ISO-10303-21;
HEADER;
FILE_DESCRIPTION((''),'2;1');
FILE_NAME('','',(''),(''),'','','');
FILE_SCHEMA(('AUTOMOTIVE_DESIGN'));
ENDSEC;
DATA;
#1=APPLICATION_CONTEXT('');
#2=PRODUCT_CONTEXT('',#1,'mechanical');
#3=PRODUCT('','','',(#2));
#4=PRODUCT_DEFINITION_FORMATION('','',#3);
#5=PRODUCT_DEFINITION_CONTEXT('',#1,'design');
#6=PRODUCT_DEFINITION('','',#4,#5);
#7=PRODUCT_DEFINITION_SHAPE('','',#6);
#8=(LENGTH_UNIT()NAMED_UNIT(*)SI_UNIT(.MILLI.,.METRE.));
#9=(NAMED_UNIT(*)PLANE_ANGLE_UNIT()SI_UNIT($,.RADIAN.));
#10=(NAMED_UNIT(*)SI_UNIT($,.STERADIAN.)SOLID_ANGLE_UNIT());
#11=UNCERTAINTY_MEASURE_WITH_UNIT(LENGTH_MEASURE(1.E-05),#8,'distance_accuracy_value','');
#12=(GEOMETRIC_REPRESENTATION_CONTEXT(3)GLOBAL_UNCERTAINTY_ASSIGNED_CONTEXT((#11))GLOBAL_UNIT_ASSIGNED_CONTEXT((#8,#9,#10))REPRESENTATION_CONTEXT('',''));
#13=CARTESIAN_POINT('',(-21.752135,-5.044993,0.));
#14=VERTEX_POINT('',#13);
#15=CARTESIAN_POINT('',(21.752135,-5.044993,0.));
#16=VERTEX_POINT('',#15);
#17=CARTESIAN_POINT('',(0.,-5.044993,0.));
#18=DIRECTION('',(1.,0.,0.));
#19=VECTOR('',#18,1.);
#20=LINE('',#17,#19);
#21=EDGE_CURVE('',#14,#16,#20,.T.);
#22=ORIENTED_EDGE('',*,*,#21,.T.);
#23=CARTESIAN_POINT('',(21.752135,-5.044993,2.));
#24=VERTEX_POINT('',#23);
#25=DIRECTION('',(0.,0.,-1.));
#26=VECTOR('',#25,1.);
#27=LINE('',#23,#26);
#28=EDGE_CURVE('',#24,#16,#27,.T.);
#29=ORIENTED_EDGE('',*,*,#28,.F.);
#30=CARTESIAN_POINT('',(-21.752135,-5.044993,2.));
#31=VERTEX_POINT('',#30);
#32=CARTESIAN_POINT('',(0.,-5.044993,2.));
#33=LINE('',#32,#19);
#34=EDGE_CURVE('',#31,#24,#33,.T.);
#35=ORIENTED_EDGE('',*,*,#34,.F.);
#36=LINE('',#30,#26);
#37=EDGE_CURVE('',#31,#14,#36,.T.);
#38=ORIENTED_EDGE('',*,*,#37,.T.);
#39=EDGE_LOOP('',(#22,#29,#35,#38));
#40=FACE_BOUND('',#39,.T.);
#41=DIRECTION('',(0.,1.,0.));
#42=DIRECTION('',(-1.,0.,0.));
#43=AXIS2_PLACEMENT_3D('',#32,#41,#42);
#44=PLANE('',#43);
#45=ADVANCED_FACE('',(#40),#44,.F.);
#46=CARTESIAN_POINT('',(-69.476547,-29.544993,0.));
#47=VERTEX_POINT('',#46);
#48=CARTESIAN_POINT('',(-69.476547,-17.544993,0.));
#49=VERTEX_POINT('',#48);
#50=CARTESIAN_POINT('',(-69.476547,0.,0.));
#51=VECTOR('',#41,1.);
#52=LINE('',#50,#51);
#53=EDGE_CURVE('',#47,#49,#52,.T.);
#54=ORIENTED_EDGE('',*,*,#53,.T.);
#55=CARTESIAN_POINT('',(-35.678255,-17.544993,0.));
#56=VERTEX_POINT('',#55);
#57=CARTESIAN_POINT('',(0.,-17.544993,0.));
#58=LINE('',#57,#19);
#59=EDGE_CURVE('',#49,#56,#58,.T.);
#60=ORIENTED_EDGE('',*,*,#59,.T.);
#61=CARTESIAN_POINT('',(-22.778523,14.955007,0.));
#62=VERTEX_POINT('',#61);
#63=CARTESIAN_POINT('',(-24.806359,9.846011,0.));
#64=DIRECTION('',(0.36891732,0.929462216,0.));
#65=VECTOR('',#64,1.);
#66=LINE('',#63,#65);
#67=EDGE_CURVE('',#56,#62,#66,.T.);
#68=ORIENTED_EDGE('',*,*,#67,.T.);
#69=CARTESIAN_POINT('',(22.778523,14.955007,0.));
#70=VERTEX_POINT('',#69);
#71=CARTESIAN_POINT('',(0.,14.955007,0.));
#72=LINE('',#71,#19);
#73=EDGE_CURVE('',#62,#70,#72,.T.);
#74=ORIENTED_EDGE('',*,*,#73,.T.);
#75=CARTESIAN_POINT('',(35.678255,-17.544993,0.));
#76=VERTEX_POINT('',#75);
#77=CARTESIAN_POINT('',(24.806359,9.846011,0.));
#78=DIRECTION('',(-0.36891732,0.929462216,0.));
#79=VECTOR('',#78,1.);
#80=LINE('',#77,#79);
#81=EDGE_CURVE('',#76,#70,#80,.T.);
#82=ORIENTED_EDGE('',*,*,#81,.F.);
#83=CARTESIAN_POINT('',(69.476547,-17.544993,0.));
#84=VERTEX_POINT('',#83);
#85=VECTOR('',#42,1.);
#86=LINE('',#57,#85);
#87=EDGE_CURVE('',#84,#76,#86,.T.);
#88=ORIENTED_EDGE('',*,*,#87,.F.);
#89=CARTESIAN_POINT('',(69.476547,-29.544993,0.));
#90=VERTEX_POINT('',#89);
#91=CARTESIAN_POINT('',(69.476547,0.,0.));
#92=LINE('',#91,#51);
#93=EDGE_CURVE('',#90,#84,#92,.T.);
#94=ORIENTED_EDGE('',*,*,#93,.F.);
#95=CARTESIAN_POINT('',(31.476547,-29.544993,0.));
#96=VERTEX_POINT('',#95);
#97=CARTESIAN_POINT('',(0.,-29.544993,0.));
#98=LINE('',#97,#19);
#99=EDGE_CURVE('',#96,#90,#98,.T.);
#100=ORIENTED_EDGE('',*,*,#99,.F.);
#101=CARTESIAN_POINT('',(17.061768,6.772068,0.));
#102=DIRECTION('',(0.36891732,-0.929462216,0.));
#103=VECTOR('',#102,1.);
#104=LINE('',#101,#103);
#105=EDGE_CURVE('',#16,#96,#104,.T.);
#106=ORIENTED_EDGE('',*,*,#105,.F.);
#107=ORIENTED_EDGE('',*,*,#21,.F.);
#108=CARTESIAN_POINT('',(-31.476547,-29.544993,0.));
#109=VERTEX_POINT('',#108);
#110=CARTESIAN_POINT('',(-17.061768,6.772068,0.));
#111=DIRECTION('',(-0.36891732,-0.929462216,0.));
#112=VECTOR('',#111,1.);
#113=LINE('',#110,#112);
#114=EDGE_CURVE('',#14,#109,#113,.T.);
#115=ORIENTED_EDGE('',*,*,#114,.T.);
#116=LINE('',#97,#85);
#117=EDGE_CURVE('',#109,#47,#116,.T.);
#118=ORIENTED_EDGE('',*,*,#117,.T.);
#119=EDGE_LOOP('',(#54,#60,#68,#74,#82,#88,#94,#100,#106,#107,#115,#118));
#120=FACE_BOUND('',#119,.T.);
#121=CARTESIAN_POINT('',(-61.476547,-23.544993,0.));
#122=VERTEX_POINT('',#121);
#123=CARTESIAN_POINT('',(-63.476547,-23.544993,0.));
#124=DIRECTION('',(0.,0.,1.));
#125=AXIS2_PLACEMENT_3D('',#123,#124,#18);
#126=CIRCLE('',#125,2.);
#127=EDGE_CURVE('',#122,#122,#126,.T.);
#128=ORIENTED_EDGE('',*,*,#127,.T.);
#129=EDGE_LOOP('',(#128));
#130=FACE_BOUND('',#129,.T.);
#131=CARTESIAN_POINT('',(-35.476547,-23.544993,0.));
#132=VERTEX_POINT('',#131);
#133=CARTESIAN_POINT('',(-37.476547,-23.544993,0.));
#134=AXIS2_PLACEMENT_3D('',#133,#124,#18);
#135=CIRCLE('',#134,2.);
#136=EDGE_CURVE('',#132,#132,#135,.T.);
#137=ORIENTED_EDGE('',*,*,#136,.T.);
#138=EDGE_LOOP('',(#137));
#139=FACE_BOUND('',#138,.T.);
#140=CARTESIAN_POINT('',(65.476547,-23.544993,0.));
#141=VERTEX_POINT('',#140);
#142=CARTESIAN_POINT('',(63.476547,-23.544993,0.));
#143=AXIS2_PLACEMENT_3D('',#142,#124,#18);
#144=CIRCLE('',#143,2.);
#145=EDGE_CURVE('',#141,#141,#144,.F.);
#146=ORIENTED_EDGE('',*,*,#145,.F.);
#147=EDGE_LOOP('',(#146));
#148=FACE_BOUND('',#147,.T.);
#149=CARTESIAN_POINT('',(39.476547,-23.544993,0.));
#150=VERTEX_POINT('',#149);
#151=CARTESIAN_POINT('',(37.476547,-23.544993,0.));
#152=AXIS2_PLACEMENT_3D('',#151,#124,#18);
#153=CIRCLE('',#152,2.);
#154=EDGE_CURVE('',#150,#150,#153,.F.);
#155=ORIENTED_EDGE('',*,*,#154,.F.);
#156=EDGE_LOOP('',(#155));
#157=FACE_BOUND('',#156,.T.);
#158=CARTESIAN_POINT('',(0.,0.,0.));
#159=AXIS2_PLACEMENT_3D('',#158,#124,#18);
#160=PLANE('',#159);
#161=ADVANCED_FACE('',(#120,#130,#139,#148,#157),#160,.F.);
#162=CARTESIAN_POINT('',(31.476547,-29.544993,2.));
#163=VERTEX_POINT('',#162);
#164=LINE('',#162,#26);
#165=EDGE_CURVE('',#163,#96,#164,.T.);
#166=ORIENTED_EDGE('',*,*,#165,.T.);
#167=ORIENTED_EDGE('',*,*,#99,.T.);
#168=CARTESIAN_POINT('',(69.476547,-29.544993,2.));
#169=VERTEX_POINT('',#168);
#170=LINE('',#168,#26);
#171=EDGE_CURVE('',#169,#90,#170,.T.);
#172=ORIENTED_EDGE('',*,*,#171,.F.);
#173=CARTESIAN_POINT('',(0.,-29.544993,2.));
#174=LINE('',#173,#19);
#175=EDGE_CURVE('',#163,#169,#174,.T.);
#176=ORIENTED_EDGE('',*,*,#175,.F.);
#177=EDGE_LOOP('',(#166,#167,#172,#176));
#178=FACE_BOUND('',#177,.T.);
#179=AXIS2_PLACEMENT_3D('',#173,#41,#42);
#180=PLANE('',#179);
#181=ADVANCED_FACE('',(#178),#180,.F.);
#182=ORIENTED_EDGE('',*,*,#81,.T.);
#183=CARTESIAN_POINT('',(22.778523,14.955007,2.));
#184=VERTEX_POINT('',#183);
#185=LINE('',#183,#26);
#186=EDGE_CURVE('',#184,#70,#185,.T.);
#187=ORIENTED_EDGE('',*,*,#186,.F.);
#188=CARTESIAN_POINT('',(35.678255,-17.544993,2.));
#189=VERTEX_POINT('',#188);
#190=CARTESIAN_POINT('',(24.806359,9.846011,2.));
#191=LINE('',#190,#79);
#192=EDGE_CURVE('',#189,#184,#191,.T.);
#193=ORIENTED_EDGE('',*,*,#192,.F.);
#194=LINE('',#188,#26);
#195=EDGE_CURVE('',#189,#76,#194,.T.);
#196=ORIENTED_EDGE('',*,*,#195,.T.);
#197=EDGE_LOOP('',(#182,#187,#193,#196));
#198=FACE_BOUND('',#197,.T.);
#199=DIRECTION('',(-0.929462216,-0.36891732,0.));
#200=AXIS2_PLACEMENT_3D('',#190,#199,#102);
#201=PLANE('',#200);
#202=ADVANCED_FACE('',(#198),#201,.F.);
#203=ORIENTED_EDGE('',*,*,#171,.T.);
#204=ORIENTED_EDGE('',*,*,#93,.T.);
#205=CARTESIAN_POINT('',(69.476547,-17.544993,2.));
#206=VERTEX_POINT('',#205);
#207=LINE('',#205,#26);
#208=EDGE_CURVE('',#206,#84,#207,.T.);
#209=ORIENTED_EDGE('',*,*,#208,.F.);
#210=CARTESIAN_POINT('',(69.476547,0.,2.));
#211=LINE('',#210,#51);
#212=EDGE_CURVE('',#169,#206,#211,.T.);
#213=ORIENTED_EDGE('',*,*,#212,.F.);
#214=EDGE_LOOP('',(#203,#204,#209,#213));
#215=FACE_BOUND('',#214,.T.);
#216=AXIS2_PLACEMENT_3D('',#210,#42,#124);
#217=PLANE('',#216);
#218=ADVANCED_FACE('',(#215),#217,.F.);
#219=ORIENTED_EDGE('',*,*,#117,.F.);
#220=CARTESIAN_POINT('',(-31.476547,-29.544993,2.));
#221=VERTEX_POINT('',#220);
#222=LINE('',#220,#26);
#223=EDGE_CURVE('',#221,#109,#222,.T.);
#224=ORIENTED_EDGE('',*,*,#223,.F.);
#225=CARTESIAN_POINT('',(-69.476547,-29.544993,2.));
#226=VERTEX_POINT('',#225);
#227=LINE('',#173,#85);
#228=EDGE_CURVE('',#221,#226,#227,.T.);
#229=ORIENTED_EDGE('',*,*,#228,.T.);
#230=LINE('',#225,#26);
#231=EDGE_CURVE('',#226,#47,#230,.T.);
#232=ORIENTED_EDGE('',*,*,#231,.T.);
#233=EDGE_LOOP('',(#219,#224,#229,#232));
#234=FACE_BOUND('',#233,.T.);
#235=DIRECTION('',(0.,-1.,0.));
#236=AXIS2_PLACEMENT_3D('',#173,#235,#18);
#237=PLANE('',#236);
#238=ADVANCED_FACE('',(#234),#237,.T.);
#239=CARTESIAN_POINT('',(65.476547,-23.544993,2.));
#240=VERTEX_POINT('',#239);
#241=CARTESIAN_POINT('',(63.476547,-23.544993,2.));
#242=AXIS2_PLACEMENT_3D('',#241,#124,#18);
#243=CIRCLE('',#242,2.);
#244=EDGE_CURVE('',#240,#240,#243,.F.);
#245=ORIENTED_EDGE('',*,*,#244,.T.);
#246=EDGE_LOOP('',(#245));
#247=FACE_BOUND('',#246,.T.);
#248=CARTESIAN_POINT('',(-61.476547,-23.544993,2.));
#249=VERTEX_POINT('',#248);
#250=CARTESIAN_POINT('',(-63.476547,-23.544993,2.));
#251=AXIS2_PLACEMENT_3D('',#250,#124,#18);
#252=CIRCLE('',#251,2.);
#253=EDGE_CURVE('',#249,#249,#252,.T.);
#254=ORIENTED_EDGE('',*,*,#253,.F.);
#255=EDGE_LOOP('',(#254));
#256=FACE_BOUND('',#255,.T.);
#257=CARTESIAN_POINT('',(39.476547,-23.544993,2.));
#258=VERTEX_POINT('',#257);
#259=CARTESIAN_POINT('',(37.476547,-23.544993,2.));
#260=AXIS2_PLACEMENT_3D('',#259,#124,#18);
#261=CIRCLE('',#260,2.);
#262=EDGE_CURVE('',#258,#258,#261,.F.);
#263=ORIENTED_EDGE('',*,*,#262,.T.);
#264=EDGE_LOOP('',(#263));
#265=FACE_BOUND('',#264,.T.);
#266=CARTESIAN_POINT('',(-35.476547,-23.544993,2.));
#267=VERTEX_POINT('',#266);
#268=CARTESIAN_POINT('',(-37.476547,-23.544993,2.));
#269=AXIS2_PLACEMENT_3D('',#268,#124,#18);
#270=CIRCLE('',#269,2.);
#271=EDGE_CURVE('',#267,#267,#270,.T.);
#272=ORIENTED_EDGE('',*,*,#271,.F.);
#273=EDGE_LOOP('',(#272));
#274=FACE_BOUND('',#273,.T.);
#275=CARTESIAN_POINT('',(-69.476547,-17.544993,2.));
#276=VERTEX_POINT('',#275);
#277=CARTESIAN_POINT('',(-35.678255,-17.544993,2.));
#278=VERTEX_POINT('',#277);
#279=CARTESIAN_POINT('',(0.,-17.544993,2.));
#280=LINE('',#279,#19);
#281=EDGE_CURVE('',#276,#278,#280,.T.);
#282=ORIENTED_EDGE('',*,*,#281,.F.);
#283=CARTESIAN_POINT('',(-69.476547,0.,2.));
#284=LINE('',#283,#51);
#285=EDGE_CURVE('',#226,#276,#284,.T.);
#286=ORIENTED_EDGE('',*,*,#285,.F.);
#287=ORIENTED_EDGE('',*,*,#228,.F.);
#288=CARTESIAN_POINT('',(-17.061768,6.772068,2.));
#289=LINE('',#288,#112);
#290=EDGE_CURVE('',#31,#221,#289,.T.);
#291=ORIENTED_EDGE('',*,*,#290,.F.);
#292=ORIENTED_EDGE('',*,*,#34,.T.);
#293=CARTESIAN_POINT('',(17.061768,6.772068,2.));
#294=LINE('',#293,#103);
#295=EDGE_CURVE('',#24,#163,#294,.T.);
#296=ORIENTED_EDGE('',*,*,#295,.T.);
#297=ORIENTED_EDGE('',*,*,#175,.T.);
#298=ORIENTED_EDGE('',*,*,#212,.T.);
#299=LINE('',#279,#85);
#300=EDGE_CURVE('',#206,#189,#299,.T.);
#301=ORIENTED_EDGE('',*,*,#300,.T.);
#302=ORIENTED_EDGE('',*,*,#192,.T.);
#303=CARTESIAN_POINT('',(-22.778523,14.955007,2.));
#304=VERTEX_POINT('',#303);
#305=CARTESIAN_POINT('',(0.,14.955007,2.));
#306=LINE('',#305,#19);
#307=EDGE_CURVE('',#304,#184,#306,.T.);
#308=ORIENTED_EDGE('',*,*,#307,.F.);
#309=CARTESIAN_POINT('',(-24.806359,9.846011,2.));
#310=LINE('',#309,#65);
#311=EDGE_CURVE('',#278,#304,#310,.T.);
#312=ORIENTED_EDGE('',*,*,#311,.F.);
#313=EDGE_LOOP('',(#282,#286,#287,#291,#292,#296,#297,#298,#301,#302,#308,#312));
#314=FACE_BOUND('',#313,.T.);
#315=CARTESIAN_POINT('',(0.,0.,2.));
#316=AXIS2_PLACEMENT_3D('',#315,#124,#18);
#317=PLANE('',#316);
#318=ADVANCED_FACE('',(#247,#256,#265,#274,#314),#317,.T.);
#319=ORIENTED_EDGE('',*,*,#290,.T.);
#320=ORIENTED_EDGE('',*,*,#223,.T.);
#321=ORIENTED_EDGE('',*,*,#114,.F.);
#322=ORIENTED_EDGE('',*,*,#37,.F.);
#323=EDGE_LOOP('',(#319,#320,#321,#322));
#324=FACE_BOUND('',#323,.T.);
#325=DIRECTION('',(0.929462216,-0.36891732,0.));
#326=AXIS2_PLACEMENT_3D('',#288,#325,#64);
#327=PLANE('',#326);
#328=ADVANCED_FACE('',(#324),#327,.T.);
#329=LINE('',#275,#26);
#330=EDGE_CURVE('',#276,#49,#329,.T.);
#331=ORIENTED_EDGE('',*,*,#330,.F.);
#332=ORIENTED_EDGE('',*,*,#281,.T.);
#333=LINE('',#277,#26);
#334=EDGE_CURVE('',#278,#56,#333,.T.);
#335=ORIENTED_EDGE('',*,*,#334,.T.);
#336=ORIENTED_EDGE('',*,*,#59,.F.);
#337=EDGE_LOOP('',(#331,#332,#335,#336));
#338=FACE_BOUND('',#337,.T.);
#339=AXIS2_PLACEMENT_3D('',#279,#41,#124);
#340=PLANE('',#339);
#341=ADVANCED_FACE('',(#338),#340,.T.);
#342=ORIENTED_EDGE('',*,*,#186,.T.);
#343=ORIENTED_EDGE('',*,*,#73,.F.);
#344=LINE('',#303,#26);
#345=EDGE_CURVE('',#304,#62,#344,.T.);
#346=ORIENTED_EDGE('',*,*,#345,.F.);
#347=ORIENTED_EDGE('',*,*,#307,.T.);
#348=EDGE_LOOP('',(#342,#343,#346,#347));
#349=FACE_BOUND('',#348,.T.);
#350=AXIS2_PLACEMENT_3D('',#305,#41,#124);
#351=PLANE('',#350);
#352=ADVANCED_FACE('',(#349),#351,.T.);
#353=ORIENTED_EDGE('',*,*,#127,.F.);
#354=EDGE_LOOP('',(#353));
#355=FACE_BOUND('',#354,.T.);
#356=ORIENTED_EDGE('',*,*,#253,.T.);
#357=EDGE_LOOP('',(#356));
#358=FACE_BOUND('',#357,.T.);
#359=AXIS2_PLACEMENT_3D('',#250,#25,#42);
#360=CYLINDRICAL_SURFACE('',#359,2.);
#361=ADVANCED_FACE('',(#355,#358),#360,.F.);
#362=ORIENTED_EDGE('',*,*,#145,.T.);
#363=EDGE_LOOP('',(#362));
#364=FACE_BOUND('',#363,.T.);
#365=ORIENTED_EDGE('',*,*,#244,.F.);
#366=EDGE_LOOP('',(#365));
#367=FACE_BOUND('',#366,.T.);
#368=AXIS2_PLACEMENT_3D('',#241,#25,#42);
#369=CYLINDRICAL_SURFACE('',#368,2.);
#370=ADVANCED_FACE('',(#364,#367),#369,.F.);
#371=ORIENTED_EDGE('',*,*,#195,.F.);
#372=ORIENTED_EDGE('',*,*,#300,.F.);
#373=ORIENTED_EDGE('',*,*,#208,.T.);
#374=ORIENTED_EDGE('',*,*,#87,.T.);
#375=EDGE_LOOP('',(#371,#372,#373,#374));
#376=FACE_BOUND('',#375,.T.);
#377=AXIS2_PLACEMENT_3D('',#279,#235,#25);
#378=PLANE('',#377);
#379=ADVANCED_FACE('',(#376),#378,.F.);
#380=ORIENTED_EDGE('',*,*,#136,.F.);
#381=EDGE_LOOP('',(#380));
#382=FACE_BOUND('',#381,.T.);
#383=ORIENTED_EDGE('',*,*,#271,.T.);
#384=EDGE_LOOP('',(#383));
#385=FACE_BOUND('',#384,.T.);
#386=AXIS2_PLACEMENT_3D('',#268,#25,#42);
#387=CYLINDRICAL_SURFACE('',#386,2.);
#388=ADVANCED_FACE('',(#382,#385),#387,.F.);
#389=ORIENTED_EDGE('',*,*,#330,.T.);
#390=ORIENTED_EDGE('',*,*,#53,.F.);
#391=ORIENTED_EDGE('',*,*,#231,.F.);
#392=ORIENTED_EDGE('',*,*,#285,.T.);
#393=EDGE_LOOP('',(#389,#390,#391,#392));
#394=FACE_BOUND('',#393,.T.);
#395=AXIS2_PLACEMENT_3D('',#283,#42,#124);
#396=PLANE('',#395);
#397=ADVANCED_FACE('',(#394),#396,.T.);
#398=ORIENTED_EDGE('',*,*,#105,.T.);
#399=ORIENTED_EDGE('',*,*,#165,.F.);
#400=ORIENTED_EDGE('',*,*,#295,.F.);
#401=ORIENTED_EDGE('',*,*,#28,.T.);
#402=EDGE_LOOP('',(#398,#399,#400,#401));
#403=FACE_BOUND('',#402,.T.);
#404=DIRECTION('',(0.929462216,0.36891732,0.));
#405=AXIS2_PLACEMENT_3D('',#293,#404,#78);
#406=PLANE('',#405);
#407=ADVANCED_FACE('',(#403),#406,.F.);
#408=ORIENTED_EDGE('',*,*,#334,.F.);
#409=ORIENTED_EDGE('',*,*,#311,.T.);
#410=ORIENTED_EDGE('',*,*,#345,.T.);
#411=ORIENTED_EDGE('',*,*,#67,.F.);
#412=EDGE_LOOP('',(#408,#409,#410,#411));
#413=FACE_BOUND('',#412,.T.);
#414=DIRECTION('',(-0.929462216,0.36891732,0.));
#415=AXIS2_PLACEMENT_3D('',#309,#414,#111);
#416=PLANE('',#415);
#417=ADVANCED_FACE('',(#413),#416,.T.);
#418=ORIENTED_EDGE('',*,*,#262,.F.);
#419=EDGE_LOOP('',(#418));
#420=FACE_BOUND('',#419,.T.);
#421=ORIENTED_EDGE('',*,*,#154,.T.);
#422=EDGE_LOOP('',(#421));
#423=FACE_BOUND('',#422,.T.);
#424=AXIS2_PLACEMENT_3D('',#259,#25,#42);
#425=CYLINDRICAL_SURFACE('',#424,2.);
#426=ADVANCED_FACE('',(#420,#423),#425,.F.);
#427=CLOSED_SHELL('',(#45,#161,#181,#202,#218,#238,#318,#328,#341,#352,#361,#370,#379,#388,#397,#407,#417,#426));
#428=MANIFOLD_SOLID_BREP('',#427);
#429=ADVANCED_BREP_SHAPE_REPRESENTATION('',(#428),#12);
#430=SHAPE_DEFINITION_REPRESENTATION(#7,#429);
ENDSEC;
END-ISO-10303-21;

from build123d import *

# Parameters (mm, degrees)
ESBO_O1_R                = 2
RESSALTO_EXTRUS_O2_DEPTH = 2


with BuildPart() as part:
    # Esboço1 → Ressalto-extrusão2 (new body)
    with BuildSketch(Plane.XY):
        Polygon((-0.066609968, -5.044992778), (0.066609968, -5.044992778), (21.752134594, -5.044992778), (31.476547475, -29.544992778), (69.476547475, -29.544992778), (69.476547475, -17.544992778), (35.678254574, -17.544992778), (22.778523201, 14.955007222), (-22.778523201, 14.955007222), (-35.678254574, -17.544992778), (-69.476547475, -17.544992778), (-69.476547475, -29.544992778), (-31.476547475, -29.544992778), (-21.752134594, -5.044992778), align=None)
        with Locations((-63.476547475, -23.544992778)):
            Circle(ESBO_O1_R, mode=Mode.SUBTRACT)
        with Locations((-37.476547475, -23.544992778)):
            Circle(ESBO_O1_R, mode=Mode.SUBTRACT)
        with Locations((37.476547475, -23.544992778)):
            Circle(ESBO_O1_R, mode=Mode.SUBTRACT)
        with Locations((63.476547475, -23.544992778)):
            Circle(ESBO_O1_R, mode=Mode.SUBTRACT)
    extrude(amount=RESSALTO_EXTRUS_O2_DEPTH)


solid = part.part
